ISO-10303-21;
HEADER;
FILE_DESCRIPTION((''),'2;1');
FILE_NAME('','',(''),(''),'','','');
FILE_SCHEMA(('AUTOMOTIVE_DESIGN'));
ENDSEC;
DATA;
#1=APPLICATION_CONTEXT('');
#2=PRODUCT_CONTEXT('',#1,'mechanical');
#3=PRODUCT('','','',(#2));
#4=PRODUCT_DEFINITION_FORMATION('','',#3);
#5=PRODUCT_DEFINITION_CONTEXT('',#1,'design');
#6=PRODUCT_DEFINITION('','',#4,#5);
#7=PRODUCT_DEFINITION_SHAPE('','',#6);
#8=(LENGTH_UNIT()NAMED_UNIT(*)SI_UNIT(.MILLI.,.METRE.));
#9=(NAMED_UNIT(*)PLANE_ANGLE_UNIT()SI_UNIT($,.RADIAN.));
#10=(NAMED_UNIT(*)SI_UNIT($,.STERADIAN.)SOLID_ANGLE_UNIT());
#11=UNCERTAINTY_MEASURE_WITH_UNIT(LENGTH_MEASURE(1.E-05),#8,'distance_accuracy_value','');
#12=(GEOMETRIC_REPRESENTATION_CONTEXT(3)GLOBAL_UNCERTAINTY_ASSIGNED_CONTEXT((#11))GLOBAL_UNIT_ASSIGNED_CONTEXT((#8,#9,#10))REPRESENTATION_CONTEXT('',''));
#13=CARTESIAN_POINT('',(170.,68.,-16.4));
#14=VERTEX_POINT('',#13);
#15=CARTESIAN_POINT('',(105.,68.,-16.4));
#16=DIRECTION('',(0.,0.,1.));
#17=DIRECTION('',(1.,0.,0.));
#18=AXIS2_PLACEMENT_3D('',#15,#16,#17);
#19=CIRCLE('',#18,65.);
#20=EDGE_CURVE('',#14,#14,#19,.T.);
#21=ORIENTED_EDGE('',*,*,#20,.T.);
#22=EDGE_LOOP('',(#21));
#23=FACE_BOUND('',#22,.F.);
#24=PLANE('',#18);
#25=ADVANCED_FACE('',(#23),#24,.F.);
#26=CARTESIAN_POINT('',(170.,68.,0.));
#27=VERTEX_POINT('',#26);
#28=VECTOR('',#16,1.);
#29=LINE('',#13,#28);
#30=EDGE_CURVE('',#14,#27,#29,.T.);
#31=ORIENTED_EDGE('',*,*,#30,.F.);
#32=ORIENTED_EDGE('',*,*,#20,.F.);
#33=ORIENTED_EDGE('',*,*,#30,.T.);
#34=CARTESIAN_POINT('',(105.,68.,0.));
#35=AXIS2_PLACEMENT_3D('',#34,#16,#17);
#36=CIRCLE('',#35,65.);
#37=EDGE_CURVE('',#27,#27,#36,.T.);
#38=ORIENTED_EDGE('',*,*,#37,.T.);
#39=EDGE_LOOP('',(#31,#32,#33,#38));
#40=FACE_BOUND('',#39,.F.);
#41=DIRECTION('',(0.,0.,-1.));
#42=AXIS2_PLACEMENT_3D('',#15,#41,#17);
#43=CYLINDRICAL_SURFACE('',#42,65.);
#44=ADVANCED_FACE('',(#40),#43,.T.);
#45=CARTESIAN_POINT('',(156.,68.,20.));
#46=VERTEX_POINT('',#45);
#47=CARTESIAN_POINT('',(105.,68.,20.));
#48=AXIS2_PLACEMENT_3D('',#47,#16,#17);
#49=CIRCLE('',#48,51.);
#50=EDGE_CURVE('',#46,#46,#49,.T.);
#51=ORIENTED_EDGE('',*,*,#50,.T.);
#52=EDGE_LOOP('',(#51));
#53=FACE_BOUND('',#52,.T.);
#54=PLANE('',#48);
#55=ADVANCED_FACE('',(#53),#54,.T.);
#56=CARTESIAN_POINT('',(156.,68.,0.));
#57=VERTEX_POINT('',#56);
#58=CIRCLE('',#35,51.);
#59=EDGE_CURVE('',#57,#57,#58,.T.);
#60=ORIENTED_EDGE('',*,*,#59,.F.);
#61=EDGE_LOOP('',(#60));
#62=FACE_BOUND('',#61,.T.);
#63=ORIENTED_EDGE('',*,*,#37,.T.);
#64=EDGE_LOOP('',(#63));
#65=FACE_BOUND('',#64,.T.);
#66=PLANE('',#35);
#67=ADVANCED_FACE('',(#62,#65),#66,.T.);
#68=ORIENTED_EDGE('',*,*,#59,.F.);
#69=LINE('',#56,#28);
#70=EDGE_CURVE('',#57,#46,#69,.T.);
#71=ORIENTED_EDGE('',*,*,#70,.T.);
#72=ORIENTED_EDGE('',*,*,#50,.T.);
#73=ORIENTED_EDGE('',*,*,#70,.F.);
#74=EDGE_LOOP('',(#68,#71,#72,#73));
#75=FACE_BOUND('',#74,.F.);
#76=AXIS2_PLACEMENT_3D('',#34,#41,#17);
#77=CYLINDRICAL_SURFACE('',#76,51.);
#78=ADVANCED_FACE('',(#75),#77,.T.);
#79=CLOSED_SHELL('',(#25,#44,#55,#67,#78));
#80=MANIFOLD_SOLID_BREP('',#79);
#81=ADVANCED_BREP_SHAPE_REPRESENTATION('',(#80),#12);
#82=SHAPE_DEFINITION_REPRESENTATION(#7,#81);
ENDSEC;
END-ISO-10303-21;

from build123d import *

# Parameters (mm, degrees)
CYLINDER001_R     = 51
CYLINDER001_DEPTH = 20
CYLINDER003_R     = 65
CYLINDER003_DEPTH = 16.4


with BuildPart() as turbopumpinlet:
    # Cylinder001 → Cylinder001 (new body)
    with BuildSketch(Plane(origin=(105, 68, 0), x_dir=(1, 0, 0), z_dir=(0, 0, 1))):
        Circle(CYLINDER001_R)
    extrude(amount=CYLINDER001_DEPTH)


with BuildPart() as fusion:
    # Cylinder003 → Cylinder003 (new body)
    with BuildSketch(Plane(origin=(105, 68, -16.4), x_dir=(1, 0, 0), z_dir=(0, 0, 1))):
        Circle(CYLINDER003_R)
    extrude(amount=CYLINDER003_DEPTH)

    # Fusion: union TurboPumpInlet
    add(turbopumpinlet.part)


solid = fusion.part
